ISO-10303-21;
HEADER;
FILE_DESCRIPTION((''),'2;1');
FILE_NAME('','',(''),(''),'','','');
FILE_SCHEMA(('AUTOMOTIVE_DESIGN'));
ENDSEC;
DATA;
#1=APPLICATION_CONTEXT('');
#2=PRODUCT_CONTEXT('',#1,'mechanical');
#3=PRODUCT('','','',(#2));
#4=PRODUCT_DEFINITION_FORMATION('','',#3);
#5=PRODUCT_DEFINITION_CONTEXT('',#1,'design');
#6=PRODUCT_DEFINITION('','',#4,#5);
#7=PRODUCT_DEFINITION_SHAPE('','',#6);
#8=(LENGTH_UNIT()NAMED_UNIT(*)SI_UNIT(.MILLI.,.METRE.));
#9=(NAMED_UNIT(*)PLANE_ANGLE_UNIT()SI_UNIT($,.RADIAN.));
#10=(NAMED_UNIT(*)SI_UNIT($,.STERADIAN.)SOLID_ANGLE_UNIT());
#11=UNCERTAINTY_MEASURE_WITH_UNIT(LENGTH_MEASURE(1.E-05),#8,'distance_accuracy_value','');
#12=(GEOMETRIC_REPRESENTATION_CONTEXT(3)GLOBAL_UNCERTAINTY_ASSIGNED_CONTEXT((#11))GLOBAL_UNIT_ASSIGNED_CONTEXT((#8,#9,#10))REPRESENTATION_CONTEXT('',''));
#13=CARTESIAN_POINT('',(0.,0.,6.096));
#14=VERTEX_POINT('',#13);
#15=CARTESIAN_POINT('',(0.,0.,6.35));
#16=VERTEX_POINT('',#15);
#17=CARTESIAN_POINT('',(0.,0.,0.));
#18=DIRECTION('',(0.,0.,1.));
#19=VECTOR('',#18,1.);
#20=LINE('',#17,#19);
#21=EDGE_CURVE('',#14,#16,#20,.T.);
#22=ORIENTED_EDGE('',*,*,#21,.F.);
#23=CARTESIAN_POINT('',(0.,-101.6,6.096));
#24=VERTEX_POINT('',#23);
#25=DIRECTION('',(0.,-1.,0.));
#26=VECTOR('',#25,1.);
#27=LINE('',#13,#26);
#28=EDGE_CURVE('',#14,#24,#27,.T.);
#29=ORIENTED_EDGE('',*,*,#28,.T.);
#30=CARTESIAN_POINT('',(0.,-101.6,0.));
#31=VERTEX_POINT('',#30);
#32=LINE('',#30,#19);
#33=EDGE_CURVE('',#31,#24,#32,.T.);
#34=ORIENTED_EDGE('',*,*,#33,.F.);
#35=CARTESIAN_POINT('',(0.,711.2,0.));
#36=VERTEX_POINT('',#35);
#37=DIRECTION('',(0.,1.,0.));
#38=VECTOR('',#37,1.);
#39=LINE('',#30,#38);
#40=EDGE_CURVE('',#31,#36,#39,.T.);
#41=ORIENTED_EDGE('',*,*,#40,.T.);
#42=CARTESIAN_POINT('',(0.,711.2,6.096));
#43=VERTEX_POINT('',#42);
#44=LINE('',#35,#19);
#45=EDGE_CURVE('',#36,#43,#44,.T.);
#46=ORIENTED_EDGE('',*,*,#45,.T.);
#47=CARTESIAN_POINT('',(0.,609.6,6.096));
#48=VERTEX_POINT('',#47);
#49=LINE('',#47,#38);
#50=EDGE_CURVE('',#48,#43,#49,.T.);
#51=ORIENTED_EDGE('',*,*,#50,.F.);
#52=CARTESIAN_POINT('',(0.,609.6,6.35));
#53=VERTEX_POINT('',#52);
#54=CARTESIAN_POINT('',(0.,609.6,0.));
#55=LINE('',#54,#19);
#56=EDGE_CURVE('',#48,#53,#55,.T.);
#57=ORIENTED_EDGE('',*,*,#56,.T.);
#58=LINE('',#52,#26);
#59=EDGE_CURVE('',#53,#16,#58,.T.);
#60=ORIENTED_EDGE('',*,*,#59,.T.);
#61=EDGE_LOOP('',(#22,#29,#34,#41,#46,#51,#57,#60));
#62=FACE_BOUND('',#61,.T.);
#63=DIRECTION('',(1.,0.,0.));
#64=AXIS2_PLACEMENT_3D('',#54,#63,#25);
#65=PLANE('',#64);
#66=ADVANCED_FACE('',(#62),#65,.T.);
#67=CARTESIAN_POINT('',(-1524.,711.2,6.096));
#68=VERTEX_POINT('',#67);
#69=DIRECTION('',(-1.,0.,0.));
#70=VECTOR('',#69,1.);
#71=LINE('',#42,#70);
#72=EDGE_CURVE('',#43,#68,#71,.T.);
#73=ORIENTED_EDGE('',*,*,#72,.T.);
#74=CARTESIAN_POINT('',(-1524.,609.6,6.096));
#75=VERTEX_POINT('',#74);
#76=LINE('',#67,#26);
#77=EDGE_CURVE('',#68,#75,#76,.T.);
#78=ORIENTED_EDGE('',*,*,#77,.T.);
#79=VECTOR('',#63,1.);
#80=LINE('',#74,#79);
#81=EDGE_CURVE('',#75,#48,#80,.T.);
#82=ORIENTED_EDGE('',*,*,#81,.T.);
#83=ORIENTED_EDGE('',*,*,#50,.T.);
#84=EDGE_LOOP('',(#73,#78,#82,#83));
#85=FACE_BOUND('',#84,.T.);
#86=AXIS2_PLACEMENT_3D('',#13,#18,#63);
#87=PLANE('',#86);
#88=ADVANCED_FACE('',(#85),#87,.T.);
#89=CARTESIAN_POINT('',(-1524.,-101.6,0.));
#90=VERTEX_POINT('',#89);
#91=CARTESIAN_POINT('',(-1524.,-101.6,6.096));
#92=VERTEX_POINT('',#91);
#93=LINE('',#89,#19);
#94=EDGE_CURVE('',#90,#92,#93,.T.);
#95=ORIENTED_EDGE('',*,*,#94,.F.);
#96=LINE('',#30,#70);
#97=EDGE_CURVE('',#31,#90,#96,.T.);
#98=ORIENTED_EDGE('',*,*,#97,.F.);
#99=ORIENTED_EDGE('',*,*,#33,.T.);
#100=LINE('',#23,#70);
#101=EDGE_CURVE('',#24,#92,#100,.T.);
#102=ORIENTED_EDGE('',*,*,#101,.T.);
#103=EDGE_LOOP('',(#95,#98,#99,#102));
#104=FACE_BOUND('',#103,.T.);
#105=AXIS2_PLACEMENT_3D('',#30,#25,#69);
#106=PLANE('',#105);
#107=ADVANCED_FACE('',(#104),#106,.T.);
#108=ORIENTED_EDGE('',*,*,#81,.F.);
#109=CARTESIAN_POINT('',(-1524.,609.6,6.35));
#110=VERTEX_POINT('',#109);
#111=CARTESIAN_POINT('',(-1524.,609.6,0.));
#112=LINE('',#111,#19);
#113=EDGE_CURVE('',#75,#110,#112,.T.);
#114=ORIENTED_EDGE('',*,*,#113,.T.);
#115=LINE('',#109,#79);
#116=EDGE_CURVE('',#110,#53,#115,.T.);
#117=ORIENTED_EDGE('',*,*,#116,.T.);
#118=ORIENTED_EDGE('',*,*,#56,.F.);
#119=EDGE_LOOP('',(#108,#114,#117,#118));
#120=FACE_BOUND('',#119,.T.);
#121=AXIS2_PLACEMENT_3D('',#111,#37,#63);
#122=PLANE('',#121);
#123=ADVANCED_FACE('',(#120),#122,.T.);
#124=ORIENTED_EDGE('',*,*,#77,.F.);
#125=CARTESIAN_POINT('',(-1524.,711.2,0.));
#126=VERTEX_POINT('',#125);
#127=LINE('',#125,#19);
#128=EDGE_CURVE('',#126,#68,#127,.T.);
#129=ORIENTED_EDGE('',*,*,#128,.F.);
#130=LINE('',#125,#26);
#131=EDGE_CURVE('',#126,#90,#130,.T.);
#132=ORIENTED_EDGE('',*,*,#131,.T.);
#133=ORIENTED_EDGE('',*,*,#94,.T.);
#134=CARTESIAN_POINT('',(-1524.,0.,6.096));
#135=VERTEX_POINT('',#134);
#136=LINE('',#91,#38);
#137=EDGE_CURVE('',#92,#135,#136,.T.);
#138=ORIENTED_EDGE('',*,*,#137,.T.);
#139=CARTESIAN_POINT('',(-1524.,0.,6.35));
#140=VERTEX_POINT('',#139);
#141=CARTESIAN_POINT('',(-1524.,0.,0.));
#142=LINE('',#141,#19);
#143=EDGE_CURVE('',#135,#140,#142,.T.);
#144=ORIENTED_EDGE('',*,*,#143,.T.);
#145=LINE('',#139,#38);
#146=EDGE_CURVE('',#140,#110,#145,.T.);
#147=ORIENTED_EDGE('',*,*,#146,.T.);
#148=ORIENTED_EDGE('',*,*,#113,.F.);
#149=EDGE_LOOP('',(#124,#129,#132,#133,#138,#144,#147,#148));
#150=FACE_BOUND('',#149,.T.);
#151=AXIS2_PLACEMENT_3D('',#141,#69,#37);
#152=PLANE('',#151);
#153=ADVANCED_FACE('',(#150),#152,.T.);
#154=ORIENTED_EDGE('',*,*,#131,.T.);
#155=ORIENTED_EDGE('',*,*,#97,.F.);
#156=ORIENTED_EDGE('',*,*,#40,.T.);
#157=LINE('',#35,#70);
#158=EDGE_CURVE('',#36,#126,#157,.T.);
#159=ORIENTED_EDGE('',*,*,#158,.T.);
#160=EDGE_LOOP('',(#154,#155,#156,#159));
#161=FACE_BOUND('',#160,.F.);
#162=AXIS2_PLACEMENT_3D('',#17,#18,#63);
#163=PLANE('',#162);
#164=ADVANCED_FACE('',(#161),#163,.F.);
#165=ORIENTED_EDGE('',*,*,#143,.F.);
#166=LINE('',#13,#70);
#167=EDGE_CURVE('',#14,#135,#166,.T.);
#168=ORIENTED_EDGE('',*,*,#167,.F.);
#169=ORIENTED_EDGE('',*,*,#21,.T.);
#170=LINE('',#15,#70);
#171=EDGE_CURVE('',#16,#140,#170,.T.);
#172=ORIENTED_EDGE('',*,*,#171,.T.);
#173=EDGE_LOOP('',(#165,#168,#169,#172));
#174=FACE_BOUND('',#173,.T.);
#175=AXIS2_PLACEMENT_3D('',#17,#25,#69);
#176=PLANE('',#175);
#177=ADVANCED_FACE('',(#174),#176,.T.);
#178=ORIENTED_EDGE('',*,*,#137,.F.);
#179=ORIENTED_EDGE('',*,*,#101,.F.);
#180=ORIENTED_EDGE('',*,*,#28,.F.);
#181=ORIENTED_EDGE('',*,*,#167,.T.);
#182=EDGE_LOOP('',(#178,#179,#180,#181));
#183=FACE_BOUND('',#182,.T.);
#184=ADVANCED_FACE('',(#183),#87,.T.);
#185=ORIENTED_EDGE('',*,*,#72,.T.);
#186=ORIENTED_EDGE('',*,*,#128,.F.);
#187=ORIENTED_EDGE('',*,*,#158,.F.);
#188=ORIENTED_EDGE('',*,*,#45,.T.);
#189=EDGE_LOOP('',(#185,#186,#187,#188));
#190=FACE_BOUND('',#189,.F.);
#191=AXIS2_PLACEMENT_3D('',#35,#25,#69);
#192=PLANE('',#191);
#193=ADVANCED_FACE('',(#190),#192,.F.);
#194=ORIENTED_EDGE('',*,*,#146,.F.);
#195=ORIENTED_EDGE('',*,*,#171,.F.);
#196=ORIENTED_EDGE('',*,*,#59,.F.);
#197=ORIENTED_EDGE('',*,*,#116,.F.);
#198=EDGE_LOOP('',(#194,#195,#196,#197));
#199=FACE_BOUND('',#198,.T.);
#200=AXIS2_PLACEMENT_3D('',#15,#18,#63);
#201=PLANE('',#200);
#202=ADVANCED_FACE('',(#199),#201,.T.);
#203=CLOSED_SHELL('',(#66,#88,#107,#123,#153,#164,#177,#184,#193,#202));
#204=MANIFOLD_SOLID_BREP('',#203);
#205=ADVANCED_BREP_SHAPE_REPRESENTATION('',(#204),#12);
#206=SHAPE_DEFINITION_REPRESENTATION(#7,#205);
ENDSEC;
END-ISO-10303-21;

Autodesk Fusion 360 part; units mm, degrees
sketch "Sketch1" plane through (0, 0, 0) normal (0, 0, 1) x (1, 0, 0)
  line L0 (0, 0) -> (-1524, 0)
  line L1 (-1524, 0) -> (-1524, 609.6)
  line L2 (-1524, 609.6) -> (0, 609.6)
  line L3 (0, 609.6) -> (0, 0)
  line L4 (-1524, 0) -> (0, 0)
  line L5 (0, 0) -> (0, -101.6)
  line L6 (0, -101.6) -> (-1524, -101.6)
  line L7 (-1524, -101.6) -> (-1524, 0)
  line L8 (-1524, 609.6) -> (0, 609.6)
  line L9 (0, 609.6) -> (0, 711.2)
  line L10 (0, 711.2) -> (-1524, 711.2)
  line L11 (-1524, 711.2) -> (-1524, 609.6)
  dimension "d1" = 1524
  dimension "d2" = 609.6
  dimension "d3" = 1524
  dimension "d4" = 101.6
  dimension "d5" = 101.6
extrude "Extrude1" add sketch "Sketch1" along normal blind 6.35 contours L0 L1 L2 L3 L4 L8
extrude "Extrude2" add sketch "Sketch1" along normal blind 6.096 contours L0 L4 L5 L6 L7 | L2 L8 L9 L10 L11
